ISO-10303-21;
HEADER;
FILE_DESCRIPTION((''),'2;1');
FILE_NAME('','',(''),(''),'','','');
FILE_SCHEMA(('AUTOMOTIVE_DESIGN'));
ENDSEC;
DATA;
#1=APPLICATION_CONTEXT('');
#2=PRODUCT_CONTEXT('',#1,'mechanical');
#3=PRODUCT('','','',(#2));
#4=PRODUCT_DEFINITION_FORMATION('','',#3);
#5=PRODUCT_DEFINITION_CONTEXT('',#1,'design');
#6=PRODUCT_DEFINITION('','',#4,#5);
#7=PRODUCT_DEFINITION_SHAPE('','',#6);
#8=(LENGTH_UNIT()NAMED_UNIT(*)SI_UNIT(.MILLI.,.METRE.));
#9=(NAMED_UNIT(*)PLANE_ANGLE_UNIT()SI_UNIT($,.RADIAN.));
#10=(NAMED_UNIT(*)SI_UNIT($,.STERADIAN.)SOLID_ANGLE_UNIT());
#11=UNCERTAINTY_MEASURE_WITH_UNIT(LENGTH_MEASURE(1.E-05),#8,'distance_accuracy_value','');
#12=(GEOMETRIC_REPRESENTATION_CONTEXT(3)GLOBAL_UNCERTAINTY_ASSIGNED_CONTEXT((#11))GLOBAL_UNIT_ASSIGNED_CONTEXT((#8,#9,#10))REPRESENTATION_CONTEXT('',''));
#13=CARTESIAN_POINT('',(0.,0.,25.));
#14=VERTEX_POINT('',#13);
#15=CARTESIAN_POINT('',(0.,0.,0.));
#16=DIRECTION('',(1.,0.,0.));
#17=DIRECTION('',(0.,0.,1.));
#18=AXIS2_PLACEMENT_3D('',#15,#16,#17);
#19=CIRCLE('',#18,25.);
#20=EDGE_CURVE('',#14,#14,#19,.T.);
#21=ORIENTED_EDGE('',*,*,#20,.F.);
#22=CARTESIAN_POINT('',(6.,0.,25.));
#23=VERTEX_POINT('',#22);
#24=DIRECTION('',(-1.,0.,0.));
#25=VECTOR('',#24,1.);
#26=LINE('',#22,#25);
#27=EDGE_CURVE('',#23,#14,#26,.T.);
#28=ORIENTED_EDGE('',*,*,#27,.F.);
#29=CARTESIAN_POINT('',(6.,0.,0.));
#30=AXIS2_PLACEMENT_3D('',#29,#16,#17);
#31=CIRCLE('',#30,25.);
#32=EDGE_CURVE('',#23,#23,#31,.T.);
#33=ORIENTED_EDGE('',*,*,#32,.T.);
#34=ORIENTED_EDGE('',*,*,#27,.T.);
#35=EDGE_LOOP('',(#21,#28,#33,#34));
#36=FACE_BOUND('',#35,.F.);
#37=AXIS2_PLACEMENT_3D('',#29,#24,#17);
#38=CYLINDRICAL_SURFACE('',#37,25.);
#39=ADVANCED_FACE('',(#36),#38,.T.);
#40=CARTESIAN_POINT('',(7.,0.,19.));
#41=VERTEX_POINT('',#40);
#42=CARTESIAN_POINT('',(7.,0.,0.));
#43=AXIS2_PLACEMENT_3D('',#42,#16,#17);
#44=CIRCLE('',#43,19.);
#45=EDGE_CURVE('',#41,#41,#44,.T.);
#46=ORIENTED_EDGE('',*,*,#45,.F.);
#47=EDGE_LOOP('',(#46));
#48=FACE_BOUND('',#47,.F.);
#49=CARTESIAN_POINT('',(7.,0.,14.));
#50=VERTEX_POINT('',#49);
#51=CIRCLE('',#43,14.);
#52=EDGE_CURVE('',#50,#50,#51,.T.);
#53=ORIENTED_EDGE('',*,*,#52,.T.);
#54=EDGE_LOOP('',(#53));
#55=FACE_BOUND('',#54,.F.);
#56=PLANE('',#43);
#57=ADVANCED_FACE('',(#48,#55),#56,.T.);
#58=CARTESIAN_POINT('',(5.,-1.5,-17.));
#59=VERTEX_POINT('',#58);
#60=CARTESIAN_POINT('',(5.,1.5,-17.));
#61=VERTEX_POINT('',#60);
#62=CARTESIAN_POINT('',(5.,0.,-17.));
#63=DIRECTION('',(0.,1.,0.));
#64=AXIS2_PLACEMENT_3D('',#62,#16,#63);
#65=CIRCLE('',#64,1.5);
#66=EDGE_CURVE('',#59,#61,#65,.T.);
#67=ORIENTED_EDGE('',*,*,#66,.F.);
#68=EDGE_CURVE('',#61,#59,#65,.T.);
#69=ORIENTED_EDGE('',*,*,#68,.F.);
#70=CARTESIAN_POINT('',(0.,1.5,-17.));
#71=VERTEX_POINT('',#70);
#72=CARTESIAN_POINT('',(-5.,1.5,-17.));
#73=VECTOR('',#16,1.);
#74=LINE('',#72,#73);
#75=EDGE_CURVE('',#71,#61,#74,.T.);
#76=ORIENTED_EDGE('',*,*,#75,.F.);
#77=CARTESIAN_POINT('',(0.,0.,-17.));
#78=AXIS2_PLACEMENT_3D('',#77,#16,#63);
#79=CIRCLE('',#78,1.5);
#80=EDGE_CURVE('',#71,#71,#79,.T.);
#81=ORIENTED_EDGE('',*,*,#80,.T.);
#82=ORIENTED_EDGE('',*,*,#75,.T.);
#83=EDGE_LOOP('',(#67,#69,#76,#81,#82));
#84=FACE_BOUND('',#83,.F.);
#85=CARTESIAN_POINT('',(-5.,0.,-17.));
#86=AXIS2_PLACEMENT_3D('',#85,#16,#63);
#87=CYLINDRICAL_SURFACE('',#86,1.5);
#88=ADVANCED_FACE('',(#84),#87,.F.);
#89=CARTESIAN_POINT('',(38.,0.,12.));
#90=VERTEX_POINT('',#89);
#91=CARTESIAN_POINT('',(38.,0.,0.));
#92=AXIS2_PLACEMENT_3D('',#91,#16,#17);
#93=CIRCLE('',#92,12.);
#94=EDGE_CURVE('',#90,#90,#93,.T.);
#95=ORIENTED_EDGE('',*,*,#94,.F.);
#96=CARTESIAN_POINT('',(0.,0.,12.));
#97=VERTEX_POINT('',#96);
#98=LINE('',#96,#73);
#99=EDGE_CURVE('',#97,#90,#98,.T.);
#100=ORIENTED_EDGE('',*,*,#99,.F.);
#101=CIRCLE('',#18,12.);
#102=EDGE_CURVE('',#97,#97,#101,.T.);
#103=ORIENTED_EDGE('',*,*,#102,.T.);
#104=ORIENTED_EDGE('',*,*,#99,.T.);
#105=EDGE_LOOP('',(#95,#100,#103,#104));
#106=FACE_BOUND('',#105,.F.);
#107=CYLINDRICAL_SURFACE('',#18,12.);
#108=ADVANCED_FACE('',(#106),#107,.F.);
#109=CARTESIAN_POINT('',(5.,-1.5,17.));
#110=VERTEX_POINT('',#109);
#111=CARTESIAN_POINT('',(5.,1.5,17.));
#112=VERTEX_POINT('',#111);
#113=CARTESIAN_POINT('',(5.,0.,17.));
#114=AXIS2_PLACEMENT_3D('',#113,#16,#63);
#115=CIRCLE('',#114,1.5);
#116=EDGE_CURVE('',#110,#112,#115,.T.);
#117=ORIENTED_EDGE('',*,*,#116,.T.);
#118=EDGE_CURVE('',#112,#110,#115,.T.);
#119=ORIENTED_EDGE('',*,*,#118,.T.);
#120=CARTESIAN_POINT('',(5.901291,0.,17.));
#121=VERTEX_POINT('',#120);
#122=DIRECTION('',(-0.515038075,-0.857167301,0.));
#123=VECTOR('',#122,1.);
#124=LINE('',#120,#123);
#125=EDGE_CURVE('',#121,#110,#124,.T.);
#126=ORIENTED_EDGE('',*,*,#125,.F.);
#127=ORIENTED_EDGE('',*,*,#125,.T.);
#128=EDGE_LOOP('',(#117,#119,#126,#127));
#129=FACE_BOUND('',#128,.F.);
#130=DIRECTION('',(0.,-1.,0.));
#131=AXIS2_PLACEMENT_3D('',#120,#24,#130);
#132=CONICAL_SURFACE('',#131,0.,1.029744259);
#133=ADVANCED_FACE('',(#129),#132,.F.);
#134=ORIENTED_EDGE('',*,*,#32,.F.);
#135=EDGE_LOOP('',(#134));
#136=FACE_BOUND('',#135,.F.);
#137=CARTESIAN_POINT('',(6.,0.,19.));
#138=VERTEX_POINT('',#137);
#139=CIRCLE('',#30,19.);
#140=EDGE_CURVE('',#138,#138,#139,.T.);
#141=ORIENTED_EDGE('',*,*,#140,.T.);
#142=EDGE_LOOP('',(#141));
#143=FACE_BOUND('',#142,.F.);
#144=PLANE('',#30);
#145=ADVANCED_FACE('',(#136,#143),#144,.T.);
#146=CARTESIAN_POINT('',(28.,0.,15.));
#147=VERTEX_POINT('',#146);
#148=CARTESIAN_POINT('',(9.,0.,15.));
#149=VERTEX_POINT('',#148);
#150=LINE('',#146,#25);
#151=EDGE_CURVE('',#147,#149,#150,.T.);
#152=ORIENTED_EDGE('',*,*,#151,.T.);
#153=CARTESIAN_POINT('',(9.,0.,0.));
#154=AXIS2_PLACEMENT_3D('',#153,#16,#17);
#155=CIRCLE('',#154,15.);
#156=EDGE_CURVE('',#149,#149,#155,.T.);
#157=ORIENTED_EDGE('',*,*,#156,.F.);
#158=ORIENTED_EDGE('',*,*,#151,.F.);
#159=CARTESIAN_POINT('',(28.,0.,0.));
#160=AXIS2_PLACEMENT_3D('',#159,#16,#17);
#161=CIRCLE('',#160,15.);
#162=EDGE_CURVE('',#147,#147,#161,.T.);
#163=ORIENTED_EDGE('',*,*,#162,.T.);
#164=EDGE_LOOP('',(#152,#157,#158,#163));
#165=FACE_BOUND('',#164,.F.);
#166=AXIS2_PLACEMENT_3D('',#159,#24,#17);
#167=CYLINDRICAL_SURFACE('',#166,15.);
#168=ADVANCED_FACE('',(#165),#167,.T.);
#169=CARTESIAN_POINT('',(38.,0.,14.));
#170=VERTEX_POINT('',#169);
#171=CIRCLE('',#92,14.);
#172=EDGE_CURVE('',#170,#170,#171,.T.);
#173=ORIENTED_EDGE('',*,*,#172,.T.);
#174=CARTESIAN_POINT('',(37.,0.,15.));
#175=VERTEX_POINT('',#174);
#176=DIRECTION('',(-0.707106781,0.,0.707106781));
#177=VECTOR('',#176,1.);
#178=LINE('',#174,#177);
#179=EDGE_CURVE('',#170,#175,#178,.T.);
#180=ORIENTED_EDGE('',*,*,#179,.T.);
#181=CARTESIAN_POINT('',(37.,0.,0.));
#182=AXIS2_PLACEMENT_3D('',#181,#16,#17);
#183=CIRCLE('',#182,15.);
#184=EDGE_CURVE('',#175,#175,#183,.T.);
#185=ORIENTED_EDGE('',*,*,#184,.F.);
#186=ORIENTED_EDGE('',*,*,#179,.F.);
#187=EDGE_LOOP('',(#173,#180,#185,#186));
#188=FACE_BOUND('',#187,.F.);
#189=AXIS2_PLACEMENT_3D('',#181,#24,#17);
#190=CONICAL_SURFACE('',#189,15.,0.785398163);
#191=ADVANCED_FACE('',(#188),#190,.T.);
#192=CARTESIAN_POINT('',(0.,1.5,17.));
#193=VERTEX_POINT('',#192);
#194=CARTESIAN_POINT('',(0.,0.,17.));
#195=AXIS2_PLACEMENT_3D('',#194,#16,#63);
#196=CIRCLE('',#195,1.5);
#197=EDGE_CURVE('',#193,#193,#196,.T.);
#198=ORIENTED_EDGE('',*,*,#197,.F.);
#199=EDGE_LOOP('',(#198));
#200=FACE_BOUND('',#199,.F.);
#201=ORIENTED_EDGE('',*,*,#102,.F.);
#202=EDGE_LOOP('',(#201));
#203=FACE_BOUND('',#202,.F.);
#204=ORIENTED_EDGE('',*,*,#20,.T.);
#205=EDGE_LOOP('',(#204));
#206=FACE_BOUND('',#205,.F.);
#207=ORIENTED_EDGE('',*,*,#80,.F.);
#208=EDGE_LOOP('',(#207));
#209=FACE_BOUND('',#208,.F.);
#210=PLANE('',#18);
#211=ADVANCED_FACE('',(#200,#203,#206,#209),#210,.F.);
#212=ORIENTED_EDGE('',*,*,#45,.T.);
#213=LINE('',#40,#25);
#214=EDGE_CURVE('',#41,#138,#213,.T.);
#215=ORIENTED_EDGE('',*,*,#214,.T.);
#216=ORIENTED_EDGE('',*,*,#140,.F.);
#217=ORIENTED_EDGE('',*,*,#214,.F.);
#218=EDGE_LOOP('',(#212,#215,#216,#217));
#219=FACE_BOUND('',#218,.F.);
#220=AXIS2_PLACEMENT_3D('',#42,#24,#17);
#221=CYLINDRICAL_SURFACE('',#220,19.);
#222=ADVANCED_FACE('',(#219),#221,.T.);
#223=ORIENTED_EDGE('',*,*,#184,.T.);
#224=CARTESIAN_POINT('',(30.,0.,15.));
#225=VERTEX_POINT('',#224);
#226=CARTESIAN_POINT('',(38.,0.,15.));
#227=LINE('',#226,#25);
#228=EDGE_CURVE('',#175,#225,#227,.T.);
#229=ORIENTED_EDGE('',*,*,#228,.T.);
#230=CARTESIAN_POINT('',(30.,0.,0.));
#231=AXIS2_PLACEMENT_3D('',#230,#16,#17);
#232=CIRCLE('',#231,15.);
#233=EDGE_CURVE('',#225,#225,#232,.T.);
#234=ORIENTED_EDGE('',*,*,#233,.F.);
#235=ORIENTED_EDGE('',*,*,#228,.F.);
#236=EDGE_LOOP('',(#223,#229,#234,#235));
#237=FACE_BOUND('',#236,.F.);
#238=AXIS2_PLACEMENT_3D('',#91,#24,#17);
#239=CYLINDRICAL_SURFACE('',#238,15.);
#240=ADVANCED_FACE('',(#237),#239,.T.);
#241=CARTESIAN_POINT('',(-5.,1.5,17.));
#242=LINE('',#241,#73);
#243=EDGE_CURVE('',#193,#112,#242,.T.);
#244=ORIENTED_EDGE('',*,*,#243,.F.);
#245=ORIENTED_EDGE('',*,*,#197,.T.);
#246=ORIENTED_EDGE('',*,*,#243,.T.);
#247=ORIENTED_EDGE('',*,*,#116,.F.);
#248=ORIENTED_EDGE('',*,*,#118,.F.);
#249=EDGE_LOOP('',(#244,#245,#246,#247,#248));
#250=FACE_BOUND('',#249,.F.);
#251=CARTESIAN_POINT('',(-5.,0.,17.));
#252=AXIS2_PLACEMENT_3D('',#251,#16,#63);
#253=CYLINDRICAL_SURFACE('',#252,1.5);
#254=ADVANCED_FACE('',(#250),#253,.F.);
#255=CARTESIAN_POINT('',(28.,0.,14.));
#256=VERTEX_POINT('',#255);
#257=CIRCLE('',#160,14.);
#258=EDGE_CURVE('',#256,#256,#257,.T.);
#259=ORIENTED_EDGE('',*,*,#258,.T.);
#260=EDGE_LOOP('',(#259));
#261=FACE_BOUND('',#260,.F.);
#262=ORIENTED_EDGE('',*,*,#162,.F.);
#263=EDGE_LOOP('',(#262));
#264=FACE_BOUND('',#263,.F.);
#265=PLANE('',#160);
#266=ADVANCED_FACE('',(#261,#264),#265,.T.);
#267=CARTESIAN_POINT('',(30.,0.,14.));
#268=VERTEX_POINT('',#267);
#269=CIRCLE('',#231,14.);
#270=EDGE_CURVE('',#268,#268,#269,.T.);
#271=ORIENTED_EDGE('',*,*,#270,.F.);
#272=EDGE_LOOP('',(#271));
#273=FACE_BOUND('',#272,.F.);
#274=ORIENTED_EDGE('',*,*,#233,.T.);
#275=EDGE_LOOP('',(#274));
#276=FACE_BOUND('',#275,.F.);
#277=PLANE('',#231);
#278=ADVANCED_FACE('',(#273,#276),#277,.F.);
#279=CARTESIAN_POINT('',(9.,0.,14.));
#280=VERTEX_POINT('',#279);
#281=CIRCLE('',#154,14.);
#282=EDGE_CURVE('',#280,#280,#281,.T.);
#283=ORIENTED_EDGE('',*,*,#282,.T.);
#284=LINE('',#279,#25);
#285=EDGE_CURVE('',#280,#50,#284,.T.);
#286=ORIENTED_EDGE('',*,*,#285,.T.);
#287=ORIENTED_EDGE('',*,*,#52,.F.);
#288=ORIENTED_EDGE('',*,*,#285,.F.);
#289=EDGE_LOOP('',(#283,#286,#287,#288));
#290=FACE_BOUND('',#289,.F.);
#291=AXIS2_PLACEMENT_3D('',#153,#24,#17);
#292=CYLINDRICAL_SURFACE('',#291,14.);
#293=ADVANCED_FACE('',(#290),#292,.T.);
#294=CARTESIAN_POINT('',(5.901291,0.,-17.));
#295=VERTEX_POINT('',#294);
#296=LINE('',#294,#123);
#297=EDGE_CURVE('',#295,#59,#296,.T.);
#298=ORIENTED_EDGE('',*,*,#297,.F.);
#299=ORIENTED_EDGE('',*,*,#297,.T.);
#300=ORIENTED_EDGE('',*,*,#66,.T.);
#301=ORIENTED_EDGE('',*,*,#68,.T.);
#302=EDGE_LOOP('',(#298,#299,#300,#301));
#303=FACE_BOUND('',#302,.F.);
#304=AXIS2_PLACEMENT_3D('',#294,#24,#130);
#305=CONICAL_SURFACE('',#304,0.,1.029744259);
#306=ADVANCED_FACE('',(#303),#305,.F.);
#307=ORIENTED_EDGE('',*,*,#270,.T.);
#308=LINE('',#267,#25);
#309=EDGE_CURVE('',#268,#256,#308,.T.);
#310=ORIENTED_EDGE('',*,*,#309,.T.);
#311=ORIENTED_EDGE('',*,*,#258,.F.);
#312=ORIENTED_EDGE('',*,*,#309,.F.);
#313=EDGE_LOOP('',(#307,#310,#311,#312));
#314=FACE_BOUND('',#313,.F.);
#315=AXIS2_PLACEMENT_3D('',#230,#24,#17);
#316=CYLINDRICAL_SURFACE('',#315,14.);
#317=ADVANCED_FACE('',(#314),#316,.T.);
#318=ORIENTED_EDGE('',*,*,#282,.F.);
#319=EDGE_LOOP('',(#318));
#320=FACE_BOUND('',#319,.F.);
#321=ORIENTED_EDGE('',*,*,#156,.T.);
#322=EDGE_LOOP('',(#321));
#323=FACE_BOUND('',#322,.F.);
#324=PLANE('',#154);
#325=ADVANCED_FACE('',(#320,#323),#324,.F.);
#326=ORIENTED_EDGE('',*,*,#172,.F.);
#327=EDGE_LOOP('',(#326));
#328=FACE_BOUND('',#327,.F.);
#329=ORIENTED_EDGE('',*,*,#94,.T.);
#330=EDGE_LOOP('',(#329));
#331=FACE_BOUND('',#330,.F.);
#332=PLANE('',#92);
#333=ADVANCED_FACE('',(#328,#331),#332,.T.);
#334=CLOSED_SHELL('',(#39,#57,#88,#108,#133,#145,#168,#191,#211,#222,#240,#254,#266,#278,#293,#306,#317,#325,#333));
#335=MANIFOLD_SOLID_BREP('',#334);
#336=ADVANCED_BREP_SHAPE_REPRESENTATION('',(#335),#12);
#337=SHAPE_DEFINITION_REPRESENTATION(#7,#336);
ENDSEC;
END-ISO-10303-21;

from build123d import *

# Parameters (mm, degrees)
F2_SIZE  = 1
F4_D     = 3
F4_DEPTH = 5
F4_TIP   = 0.9012909285


with BuildPart() as f1:
    # F0 (on Front) → F1 (revolve)
    with BuildSketch(Plane.XZ):
        Polygon((0, 25), (0, 12), (38, 12), (38, 15), (30, 15), (30, 14), (28, 14), (28, 15), (9, 15), (9, 14), (7, 14), (7, 19), (6, 19), (6, 25), align=None)
    revolve(axis=Axis((16.4548096063, 0, 0), (1, 0, 0)))

    # F2
    f2_edges = [f1.edges().sort_by_distance(p)[0] for p in [
        (38, 0, -15),
    ]]
    chamfer(f2_edges, length=F2_SIZE)

    # F4
    with Locations(Plane(origin=(0, 0, 0), x_dir=(0, -1, 0), z_dir=(-1, 0, 0))):
        with Locations((0, 17), (0, -17)):
            Hole(F4_D / 2, depth=F4_DEPTH)
            with Locations((0, 0, -(F4_DEPTH + F4_TIP / 2))):  # 118° drill point
                Cone(0, F4_D / 2, F4_TIP, mode=Mode.SUBTRACT)


solid = f1.part
